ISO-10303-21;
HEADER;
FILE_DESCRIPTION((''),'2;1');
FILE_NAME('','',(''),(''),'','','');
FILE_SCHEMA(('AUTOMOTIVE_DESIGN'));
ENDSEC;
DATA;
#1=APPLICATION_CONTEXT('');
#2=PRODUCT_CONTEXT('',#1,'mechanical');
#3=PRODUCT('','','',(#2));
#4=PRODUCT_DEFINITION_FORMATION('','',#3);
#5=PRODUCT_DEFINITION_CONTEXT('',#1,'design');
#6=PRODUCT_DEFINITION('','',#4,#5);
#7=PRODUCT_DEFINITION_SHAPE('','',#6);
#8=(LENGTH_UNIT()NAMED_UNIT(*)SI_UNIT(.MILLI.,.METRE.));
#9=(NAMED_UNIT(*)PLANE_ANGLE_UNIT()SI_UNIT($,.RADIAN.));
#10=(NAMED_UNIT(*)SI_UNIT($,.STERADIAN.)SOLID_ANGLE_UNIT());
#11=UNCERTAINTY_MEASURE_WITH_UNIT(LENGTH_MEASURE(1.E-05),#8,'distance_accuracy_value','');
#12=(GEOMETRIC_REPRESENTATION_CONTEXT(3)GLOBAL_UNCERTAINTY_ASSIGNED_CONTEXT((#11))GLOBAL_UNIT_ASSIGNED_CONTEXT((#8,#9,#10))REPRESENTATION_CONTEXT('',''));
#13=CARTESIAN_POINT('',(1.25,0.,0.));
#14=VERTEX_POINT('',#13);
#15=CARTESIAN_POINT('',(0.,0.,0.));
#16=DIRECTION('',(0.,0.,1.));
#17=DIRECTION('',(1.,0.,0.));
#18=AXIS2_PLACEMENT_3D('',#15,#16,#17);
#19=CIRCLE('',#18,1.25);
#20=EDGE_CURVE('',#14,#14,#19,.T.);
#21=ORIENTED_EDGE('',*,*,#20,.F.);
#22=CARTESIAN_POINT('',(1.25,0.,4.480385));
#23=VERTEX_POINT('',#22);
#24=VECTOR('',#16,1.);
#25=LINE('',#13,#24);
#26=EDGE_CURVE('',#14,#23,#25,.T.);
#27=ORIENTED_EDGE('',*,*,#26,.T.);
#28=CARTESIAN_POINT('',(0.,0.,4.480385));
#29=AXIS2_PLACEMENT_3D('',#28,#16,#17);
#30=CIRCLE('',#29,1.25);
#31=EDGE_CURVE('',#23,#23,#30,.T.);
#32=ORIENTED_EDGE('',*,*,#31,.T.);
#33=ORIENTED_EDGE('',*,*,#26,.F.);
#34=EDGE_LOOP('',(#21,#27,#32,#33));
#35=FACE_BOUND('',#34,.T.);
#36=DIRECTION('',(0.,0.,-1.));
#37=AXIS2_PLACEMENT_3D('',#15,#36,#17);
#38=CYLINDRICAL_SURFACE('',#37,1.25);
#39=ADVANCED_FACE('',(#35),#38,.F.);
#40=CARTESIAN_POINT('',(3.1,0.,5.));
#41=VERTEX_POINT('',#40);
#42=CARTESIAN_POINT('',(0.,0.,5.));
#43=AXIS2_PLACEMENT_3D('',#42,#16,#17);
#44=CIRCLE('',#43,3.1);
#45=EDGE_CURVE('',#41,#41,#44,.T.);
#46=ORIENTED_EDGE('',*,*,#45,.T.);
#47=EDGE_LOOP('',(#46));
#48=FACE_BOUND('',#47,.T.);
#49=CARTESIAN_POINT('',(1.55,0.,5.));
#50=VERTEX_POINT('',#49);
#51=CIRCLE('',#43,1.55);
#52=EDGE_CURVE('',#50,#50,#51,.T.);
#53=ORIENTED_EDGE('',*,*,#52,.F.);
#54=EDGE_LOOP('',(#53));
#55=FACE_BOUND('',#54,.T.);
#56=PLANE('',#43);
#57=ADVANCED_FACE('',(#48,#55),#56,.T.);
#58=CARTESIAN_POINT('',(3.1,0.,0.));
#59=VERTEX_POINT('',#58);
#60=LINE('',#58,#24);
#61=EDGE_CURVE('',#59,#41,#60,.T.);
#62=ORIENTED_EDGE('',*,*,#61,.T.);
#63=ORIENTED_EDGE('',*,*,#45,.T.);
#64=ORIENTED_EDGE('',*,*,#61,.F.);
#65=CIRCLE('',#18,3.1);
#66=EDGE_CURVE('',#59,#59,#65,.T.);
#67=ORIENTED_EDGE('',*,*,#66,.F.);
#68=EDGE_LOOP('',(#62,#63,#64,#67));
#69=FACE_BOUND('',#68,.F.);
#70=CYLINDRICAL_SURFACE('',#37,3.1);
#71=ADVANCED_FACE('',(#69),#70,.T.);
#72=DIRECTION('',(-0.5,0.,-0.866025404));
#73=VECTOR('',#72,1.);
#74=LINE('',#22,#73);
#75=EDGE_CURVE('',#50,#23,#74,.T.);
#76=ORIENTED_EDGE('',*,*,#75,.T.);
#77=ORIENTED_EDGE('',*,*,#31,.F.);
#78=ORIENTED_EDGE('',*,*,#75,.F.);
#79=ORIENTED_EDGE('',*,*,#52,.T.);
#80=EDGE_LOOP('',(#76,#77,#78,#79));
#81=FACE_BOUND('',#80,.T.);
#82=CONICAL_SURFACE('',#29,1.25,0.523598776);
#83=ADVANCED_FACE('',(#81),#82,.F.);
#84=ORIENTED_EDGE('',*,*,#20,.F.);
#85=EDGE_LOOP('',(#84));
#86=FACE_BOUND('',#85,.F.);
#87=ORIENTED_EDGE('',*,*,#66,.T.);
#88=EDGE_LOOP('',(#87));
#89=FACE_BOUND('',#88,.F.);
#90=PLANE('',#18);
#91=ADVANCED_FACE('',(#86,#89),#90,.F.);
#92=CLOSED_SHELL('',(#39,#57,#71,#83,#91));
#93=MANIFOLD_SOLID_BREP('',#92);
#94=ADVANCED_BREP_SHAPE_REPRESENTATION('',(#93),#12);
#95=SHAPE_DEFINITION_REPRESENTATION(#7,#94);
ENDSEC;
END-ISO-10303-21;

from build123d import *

# Parameters (mm, degrees)
F0_R     = 3.1
F0_R_2   = 1.25
F1_DEPTH = 5
F2_SIZE2 = 0.5196152423
F2_SIZE  = 0.3


with BuildPart() as f1:
    # F0 (on Top) → F1 (new body)
    with BuildSketch(Plane.XY):
        Circle(F0_R)
        Circle(F0_R_2, mode=Mode.SUBTRACT)
    extrude(amount=F1_DEPTH)

    # F2
    f2_edges = [f1.edges().sort_by_distance(p)[0] for p in [
        (-1.25, 0, 5),
    ]]
    f2_side = f1.faces().sort_by_distance((-3.012319, 0, 5))[0]
    chamfer(f2_edges, length=F2_SIZE, length2=F2_SIZE2, reference=f2_side)


solid = f1.part
